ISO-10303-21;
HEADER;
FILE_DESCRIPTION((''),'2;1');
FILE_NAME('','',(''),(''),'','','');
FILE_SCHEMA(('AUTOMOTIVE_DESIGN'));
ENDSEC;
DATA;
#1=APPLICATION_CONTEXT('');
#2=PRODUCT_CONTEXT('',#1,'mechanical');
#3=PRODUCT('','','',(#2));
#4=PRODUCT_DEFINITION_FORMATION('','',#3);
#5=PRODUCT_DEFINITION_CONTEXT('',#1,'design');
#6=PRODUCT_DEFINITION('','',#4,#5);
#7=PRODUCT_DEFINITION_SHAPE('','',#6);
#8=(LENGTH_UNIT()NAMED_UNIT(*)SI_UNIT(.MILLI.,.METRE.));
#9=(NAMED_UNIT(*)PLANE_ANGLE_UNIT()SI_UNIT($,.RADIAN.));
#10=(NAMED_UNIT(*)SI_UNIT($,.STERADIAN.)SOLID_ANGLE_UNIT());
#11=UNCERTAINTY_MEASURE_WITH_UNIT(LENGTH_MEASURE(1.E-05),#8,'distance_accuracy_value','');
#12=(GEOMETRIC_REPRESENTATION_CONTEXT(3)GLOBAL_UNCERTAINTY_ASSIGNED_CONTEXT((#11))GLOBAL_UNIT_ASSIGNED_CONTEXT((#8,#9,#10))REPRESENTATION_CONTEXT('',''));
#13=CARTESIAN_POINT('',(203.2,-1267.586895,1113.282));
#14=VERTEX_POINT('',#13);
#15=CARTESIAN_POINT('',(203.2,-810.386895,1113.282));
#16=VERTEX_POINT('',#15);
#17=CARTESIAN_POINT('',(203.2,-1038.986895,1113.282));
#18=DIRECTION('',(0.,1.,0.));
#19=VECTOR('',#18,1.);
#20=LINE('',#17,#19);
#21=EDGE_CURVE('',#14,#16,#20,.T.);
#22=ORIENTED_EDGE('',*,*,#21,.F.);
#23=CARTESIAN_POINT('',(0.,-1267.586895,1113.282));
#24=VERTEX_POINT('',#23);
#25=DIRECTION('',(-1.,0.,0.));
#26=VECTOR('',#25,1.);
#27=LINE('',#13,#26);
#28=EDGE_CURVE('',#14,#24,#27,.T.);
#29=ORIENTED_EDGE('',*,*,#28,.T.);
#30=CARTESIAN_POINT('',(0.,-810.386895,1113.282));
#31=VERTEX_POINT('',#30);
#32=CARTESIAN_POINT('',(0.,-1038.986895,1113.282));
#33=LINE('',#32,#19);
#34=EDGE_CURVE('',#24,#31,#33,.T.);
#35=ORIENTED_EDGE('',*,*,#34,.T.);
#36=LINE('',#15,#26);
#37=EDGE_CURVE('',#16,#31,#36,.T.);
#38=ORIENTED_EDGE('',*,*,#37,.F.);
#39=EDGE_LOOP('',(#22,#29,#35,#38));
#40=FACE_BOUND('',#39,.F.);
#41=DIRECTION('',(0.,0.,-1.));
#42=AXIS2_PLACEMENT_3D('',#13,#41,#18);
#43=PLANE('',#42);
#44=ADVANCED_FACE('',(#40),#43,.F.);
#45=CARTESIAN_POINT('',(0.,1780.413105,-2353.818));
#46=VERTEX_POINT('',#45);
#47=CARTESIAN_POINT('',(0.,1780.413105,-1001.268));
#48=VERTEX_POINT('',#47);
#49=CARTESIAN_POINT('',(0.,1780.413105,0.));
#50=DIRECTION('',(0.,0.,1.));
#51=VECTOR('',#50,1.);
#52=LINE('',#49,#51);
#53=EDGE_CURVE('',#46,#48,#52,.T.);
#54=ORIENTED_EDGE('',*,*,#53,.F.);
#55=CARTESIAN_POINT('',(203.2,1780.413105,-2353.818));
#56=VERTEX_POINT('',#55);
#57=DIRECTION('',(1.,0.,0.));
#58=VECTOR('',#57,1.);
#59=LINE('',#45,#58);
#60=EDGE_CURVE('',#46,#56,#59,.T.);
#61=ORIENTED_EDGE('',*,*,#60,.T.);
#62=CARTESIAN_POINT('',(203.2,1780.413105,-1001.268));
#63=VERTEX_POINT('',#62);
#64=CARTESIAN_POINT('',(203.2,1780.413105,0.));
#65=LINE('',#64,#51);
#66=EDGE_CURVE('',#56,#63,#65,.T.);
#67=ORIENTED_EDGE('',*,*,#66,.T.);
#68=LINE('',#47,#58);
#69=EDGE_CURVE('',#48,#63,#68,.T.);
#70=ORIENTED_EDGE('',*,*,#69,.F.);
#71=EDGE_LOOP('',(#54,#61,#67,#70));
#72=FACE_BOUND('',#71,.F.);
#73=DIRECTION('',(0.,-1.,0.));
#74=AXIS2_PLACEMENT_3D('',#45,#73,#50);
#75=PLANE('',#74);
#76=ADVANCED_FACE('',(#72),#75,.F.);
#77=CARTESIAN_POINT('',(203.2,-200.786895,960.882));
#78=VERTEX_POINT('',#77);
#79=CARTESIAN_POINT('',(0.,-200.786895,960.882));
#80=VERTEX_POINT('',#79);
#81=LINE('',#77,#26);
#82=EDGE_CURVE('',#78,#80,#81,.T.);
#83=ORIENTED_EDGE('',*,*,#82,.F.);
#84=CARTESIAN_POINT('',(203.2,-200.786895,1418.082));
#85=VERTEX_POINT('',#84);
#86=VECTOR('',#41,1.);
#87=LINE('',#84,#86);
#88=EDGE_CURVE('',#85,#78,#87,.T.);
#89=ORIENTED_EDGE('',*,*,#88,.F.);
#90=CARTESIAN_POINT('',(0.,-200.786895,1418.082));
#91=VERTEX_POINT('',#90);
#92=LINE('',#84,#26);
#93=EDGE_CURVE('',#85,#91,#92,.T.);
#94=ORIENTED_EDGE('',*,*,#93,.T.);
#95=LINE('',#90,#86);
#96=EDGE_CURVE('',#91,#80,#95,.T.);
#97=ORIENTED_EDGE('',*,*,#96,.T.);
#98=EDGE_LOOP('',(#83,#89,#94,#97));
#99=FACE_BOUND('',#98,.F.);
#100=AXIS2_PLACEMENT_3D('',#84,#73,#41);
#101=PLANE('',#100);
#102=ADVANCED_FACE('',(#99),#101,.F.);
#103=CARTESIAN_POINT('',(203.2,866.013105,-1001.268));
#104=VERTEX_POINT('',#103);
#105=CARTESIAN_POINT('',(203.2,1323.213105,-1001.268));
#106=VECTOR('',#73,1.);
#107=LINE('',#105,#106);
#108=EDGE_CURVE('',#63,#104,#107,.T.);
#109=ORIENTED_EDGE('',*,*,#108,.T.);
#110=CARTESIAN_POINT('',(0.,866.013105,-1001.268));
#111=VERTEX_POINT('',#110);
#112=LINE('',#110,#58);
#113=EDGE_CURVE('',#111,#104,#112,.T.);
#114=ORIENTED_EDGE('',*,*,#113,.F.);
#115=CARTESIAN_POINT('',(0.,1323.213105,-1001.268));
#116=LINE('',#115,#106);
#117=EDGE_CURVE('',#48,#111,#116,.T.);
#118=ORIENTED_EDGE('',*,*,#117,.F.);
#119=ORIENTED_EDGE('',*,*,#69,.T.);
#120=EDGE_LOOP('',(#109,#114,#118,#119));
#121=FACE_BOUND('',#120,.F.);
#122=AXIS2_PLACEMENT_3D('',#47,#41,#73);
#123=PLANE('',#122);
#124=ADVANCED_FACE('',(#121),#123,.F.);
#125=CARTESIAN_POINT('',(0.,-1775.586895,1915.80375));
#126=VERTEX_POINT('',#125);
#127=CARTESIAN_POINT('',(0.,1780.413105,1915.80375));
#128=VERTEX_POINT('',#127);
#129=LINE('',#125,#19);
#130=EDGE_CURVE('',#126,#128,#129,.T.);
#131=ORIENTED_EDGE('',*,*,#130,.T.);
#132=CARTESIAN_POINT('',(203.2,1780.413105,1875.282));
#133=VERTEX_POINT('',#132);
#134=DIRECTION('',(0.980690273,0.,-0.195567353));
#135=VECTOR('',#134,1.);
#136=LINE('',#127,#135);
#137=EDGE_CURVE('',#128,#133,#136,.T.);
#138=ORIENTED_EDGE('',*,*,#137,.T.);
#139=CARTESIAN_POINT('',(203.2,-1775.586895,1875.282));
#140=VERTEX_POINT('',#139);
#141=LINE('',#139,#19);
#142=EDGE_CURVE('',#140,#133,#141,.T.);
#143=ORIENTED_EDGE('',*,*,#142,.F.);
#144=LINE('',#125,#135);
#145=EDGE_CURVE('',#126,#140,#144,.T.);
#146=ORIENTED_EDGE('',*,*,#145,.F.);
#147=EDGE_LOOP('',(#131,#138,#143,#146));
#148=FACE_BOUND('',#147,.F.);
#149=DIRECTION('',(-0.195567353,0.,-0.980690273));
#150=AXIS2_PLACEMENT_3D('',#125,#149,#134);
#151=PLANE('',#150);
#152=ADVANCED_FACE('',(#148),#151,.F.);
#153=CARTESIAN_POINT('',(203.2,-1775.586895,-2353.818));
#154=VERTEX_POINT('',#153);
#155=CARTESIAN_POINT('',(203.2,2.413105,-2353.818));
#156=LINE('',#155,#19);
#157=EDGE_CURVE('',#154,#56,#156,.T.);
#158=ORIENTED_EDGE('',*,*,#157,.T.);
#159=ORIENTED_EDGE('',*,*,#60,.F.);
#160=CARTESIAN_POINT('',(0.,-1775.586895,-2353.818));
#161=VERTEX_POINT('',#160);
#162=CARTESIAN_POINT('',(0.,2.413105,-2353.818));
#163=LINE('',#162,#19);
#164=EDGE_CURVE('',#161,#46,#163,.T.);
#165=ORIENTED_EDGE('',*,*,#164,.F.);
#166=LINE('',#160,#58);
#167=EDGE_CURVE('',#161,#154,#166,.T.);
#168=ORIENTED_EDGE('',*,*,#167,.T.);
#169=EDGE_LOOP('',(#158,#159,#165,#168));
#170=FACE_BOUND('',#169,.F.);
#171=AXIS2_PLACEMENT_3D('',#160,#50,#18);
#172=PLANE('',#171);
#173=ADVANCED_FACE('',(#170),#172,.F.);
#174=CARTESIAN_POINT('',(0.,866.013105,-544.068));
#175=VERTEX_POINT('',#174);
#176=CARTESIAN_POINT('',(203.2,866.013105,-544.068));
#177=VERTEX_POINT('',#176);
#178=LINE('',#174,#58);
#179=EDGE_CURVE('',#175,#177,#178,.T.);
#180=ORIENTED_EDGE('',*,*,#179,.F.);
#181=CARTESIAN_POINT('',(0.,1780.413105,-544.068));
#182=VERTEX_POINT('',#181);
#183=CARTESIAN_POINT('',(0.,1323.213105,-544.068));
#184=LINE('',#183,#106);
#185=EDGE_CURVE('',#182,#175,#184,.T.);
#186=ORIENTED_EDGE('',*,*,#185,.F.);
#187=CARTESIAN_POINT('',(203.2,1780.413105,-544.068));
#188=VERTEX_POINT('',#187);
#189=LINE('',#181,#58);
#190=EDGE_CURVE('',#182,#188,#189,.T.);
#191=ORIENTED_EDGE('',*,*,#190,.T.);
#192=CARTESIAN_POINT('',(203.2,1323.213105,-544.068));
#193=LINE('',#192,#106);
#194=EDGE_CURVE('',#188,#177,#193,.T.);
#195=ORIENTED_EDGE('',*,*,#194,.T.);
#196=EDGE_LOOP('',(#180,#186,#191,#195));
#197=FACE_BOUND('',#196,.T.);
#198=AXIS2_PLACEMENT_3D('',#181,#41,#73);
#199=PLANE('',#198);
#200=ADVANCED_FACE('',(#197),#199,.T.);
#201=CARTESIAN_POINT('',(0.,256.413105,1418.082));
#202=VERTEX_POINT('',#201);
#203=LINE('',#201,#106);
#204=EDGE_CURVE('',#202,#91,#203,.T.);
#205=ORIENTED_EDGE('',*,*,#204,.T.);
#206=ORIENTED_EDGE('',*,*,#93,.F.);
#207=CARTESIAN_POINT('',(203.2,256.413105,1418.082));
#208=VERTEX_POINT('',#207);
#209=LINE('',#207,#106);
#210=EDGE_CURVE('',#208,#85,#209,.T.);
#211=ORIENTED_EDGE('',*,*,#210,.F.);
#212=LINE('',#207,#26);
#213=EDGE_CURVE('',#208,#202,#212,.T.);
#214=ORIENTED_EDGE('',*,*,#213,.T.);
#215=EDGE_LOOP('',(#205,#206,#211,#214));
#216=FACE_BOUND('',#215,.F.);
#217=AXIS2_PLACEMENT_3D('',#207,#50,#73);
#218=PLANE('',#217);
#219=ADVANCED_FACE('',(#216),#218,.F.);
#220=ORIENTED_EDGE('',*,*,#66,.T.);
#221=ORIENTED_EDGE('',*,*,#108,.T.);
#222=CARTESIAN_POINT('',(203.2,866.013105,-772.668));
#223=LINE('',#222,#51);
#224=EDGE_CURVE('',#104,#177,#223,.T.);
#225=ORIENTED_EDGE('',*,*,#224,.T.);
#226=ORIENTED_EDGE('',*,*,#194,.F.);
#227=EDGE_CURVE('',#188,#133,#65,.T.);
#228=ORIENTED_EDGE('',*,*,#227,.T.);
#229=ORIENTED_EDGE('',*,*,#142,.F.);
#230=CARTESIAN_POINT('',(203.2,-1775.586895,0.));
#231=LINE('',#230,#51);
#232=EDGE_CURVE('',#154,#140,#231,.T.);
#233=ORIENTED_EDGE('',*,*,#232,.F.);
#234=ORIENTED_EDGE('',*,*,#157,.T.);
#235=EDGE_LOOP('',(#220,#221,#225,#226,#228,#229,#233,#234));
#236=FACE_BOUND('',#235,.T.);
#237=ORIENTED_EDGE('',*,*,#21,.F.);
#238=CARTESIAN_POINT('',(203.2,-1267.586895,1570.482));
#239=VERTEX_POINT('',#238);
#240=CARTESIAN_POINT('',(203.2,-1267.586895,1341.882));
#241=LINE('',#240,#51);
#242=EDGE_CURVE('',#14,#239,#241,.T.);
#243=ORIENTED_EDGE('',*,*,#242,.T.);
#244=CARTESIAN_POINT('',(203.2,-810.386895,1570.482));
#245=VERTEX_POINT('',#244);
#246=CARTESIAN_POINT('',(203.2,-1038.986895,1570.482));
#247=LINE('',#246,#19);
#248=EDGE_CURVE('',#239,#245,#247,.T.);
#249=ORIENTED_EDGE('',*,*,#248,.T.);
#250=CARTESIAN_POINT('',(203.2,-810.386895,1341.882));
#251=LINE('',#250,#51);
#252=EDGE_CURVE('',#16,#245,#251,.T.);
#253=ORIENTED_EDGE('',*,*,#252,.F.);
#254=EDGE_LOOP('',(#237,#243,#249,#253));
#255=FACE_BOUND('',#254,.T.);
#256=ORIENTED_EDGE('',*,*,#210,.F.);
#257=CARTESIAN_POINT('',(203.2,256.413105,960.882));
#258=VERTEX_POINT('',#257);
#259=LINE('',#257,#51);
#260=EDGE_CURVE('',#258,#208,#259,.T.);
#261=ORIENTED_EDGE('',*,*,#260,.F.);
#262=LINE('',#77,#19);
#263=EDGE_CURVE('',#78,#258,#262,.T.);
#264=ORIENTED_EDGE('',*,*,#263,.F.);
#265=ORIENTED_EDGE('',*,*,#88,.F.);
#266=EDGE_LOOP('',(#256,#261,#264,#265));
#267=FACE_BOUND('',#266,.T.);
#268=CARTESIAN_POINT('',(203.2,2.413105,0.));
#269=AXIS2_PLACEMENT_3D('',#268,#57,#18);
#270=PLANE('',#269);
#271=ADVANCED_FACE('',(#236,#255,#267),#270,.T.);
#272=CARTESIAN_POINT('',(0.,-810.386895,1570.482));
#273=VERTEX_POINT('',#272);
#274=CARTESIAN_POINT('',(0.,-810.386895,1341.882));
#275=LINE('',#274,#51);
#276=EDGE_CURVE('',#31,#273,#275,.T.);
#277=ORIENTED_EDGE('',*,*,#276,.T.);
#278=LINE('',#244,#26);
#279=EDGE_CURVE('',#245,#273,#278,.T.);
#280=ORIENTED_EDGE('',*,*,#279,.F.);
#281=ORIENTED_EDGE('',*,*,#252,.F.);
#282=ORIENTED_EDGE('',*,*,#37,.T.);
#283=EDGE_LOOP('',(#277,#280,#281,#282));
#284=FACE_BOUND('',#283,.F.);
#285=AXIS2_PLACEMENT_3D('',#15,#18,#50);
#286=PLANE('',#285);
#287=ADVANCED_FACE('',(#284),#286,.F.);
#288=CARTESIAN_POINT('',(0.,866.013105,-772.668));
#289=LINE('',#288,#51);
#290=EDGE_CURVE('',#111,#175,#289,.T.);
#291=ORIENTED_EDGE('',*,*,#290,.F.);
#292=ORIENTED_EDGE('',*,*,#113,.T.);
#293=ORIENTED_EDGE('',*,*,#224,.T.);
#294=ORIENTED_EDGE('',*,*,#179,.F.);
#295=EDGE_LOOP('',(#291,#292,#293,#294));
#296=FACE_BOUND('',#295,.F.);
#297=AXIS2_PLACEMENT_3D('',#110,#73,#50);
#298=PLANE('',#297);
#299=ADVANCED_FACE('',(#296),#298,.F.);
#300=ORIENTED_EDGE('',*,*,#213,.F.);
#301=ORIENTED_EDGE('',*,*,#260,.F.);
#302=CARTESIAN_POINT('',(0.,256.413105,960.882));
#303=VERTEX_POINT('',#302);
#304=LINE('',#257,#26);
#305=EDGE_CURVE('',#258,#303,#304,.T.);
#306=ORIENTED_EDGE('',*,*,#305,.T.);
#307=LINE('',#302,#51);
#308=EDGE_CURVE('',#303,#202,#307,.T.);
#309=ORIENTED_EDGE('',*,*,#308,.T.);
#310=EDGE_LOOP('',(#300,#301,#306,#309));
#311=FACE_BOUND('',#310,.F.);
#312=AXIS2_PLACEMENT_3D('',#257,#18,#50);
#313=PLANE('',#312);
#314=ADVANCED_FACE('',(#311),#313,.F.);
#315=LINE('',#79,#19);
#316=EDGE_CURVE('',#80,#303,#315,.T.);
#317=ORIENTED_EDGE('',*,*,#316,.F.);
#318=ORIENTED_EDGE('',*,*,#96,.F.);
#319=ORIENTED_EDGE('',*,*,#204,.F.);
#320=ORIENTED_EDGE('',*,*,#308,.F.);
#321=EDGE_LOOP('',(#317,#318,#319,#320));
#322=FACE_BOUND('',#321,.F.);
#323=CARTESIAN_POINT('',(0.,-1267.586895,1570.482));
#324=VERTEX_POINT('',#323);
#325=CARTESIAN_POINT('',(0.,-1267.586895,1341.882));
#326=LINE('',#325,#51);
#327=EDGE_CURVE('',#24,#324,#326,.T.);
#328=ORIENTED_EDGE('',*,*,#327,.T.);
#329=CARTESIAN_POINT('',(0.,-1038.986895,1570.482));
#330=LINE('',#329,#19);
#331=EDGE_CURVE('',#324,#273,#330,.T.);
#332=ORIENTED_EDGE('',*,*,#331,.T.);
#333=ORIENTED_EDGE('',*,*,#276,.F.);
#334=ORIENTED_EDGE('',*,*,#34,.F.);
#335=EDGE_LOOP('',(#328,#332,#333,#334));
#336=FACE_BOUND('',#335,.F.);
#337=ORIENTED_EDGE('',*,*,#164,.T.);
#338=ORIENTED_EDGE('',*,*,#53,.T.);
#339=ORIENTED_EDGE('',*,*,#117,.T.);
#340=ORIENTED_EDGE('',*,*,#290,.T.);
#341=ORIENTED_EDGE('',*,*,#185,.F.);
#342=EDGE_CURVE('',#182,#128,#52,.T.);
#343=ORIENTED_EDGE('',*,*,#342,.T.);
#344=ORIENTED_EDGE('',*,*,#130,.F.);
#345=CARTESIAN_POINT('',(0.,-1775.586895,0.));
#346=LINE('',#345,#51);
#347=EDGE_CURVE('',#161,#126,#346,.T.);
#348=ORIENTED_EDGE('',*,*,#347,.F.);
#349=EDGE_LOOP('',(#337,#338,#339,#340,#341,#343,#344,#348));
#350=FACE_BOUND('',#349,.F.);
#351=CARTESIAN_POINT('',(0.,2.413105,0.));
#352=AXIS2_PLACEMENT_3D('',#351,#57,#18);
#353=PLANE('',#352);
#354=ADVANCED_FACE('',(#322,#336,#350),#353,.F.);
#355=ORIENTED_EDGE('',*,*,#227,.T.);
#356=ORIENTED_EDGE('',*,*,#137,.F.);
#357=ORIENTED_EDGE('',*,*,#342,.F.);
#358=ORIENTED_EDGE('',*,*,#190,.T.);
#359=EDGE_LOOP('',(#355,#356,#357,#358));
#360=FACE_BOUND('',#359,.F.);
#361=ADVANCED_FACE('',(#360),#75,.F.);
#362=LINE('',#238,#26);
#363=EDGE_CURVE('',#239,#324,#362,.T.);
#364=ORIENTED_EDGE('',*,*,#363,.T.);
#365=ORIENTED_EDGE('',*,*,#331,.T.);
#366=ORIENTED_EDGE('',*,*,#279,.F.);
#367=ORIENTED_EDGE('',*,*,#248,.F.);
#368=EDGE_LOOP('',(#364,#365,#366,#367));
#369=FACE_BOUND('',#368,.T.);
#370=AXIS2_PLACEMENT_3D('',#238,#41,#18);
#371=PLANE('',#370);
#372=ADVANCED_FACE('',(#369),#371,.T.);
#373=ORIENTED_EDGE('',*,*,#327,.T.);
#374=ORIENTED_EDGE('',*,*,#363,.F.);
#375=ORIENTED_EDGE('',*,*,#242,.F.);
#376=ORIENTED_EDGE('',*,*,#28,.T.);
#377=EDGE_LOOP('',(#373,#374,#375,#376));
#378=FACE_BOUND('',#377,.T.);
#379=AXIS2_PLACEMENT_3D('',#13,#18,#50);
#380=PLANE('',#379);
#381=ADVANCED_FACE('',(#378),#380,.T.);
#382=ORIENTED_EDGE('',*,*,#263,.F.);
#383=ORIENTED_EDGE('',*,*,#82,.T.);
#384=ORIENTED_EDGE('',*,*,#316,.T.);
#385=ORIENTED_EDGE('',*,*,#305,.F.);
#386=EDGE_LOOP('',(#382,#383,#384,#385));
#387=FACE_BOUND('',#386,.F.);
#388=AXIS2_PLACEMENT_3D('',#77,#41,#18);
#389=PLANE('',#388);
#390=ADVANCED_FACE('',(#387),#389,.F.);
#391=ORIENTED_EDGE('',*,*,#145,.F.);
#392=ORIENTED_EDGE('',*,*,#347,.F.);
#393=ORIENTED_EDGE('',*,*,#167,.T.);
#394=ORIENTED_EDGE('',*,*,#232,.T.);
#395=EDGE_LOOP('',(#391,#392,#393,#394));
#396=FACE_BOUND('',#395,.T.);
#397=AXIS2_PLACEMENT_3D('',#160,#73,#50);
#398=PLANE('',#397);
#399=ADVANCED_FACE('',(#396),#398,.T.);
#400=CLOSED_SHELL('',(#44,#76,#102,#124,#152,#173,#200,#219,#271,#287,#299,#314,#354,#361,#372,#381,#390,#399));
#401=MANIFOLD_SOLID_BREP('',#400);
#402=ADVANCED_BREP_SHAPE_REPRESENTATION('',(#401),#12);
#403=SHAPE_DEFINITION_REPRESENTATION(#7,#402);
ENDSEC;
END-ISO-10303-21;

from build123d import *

# Parameters (mm, degrees)
F0_W     = 3556
F0_H     = 4707.636
F1_DEPTH = 203.2
F3_DEPTH = 3556
F4_W     = 914.4
F4_H     = 457.2
F5_DEPTH = 203.2
F6_W     = 457.2
F6_H     = 457.2
F7_DEPTH = 203.2
F9_DEPTH = 203.2


with BuildPart() as f1:
    # F0 (on Right) → F1 (new body)
    with BuildSketch(Plane.YZ):
        with Locations((2.413105, 0)):
            Rectangle(F0_W, F0_H)
    extrude(amount=F1_DEPTH)

    # F2 (on face) → F3 (cut)
    with BuildSketch(Plane.XZ.offset(1775.586895)):
        Polygon((0, 1915.80375), (203.2, 1875.282), (203.2, 2353.818), (0, 2353.818), align=None)
    extrude(amount=-F3_DEPTH, mode=Mode.SUBTRACT)

    # F4 (on face) → F5 (cut)
    with BuildSketch(Plane(origin=(0, 0, 0), x_dir=(0, -1, 0), z_dir=(-1, 0, 0))):
        with Locations((-1323.213105, -772.668)):
            Rectangle(F4_W, F4_H)
    extrude(amount=-F5_DEPTH, mode=Mode.SUBTRACT)

    # F6 (on face) → F7 (cut)
    with BuildSketch(Plane.YZ.offset(203.2)):
        with Locations((-1038.986895, 1341.882)):
            Rectangle(F6_W, F6_H)
    extrude(amount=-F7_DEPTH, mode=Mode.SUBTRACT)

    # F8 (on face) → F9 (cut)
    with BuildSketch(Plane.YZ.offset(203.2)):
        Polygon((-200.786895, 1418.082), (-200.786895, 1113.282), (-200.786895, 960.882), (256.413105, 960.882), (256.413105, 1418.082), align=None)
    extrude(amount=-F9_DEPTH, mode=Mode.SUBTRACT)


solid = f1.part
